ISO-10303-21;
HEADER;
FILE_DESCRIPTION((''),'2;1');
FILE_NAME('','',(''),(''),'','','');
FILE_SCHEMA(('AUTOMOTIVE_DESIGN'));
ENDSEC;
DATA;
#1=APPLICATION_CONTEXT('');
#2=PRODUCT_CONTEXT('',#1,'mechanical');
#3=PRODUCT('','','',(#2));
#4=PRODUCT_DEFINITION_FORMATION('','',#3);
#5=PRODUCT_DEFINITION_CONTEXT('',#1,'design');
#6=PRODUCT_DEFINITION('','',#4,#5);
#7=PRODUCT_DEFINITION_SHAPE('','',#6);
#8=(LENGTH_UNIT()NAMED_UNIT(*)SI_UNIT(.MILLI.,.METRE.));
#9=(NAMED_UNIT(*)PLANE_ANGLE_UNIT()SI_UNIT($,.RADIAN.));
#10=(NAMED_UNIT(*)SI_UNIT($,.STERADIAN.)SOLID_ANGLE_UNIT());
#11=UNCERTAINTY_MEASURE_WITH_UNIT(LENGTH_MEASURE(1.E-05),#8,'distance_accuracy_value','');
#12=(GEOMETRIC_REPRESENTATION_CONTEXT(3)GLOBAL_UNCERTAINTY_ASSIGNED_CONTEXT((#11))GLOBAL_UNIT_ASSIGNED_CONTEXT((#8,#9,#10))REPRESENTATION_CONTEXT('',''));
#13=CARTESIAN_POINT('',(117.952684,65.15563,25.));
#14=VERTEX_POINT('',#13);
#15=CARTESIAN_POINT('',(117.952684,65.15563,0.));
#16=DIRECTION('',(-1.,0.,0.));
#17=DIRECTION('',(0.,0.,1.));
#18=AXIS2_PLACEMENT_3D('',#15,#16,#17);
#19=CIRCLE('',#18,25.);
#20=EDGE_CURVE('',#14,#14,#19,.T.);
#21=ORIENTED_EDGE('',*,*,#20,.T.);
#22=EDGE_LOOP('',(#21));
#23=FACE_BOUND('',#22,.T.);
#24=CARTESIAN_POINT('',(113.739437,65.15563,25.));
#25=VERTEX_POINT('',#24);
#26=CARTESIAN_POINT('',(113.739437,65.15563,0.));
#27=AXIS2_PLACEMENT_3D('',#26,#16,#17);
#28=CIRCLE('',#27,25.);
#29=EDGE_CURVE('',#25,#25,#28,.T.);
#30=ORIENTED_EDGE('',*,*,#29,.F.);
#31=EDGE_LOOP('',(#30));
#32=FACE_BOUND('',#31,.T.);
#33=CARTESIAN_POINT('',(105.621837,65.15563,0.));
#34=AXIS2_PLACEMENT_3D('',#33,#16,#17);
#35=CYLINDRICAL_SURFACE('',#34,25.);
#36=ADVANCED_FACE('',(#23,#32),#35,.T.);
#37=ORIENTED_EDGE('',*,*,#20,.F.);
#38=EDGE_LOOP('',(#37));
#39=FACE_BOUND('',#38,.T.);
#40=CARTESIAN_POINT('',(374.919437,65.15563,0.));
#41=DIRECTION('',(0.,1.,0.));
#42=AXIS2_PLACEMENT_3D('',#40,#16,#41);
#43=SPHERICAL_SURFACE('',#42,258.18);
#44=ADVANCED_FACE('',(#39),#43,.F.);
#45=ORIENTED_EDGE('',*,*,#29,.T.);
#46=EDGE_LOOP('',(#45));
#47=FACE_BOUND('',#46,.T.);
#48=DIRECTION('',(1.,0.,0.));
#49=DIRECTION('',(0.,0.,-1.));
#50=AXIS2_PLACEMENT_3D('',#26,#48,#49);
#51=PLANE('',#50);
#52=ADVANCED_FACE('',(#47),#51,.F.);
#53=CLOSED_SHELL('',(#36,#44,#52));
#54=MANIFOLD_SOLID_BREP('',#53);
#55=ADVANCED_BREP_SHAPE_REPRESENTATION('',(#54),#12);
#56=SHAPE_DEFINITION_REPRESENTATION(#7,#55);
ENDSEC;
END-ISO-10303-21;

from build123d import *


with BuildPart() as part:
    # 草图1 → 旋转1 (revolve)
    with BuildSketch(Plane.XY):
        with BuildLine():
            Line((113.739437135, 65.155630457), (113.739437135, 90.155630457))
            Line((113.739437135, 90.155630457), (117.952683643, 90.155630457))
            ThreePointArc((117.952683643, 90.155630457), (117.042927138, 77.670341471), (116.739437135, 65.155630457))
            Line((116.739437135, 65.155630457), (113.739437135, 65.155630457))
        make_face()
    revolve(axis=Axis((105.621837124, 65.155630457, 0), (1, 0, 0)))


solid = part.part
